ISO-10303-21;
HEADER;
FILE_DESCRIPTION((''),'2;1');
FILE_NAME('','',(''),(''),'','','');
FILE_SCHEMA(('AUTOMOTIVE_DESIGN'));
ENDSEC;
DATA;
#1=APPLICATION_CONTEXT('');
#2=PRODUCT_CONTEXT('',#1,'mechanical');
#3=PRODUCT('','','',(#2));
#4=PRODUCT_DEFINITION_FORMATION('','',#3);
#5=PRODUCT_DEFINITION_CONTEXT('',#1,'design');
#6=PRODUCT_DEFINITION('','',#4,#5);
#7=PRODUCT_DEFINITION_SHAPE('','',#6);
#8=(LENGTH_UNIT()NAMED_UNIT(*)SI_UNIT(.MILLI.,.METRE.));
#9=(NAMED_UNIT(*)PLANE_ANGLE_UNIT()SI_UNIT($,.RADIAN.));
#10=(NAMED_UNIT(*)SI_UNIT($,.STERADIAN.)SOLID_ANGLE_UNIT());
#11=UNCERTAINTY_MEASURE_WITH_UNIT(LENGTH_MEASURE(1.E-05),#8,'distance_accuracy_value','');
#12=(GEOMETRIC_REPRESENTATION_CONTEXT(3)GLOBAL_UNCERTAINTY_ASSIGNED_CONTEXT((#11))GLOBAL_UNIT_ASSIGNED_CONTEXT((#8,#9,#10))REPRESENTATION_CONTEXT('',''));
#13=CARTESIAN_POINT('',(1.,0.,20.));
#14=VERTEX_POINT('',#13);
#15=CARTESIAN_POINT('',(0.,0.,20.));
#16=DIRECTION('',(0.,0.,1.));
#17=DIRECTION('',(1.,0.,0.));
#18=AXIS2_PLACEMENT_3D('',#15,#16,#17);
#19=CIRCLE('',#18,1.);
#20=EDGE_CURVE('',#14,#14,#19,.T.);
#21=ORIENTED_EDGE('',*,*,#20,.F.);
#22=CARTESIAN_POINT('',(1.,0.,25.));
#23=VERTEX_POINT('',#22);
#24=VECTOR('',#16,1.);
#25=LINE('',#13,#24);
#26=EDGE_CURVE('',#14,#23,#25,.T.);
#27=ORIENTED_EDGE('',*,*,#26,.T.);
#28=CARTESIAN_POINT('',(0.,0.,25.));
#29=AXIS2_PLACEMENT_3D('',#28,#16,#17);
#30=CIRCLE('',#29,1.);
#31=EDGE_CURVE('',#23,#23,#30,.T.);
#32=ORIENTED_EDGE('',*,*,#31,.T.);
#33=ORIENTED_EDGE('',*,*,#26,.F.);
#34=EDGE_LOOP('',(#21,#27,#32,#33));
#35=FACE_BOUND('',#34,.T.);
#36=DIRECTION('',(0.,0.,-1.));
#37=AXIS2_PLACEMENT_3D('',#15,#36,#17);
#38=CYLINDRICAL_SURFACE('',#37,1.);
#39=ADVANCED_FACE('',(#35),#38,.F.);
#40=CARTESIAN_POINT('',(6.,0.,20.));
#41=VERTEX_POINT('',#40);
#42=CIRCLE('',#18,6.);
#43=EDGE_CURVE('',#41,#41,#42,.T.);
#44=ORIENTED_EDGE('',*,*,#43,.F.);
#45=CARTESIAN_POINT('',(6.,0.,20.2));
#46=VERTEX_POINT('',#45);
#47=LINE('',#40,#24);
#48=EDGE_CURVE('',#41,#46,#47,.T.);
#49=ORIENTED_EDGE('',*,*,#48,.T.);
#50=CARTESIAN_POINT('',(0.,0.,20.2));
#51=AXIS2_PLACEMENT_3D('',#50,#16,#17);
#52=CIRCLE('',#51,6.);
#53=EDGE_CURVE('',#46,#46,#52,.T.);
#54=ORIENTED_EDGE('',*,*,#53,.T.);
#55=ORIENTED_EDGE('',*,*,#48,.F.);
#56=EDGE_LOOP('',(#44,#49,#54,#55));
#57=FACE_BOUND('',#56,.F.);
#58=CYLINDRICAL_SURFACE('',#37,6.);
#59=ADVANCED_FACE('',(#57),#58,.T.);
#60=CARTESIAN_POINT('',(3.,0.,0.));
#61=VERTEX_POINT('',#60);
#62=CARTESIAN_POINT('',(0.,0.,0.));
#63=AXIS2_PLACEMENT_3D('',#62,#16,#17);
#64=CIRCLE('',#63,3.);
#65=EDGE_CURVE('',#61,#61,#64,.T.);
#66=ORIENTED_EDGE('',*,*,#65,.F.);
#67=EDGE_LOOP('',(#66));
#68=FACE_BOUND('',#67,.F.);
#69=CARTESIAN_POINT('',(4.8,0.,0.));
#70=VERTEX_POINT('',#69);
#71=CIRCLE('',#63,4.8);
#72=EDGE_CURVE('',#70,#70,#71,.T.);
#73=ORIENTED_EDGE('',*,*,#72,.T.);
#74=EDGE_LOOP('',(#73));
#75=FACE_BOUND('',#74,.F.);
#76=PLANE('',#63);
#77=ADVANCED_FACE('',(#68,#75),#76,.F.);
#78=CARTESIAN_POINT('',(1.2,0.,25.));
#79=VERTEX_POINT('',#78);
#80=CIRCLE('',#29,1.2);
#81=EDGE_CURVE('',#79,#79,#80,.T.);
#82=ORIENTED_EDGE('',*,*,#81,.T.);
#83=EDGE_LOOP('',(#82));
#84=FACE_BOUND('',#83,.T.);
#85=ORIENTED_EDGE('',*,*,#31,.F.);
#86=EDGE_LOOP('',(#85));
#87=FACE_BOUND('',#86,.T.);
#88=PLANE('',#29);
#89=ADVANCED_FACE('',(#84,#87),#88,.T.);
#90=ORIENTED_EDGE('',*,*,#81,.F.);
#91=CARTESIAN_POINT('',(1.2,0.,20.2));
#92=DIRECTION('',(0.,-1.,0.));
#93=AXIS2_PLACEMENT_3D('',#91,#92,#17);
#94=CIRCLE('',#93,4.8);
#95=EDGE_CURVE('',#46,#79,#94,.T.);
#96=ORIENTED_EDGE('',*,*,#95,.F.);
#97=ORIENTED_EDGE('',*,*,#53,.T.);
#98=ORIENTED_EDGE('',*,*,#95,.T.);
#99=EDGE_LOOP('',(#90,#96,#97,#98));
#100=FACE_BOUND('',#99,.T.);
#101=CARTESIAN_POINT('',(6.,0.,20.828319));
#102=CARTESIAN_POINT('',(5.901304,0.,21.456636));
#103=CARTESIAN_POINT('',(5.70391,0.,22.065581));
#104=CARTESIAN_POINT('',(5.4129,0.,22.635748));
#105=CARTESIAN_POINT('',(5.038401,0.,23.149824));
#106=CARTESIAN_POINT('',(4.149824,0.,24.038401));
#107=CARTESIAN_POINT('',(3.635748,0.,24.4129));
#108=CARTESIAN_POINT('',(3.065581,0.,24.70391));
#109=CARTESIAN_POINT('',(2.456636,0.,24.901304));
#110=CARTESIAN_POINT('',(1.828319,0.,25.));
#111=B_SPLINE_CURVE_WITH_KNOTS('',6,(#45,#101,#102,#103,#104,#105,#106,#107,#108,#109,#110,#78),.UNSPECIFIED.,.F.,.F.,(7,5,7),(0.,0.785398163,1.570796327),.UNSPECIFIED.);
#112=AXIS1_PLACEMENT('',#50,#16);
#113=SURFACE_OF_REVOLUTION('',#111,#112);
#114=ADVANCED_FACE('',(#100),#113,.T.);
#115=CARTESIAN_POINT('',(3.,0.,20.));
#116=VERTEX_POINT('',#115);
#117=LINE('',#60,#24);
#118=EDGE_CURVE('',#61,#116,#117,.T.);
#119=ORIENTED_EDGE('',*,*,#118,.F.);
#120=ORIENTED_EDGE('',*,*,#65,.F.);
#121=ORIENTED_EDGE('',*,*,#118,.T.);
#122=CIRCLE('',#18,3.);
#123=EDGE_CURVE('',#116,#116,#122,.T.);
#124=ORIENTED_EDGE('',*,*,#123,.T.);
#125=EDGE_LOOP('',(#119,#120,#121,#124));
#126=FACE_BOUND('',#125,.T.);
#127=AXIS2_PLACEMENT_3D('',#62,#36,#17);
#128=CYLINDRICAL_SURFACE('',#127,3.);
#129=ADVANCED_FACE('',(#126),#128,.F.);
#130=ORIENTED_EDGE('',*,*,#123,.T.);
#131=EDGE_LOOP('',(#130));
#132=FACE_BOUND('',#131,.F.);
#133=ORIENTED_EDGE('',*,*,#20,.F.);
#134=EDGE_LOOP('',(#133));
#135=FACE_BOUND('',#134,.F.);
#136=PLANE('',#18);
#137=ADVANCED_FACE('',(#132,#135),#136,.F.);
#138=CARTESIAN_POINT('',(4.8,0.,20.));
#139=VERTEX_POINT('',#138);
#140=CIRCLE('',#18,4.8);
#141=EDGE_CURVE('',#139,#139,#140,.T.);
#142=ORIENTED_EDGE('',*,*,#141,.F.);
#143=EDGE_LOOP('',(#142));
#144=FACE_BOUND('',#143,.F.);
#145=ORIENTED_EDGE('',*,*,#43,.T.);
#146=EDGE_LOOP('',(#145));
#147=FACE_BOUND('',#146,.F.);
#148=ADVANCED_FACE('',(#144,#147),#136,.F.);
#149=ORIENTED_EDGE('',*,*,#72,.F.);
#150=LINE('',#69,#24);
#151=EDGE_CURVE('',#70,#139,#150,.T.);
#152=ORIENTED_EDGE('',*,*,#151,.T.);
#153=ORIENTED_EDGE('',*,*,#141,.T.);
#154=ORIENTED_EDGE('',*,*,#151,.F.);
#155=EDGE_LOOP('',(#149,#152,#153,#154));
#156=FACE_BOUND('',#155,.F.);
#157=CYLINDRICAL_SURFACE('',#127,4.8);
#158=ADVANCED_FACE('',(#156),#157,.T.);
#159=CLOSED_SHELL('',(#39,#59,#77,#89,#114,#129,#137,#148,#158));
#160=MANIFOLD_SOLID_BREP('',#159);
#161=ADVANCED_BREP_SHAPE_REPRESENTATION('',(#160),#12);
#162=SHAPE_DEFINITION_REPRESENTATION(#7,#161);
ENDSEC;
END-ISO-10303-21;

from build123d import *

# Parameters (mm, degrees)
SKETCH_R      = 4.8
SKETCH_R_2    = 3
PAD_DEPTH     = 20
SKETCH001_R   = 6
SKETCH001_R_2 = 1
PAD001_DEPTH  = 5
FILLET_R      = 4.8


with BuildPart() as part:
    # Sketch → Pad (new body)
    with BuildSketch(Plane.XY):
        Circle(SKETCH_R)
        Circle(SKETCH_R_2, mode=Mode.SUBTRACT)
    extrude(amount=PAD_DEPTH)

    # Sketch001 (on Face4 of Pad) → Pad001 (join)
    with BuildSketch(Plane.XY.offset(20)):
        Circle(SKETCH001_R)
        Circle(SKETCH001_R_2, mode=Mode.SUBTRACT)
    extrude(amount=PAD001_DEPTH)

    # Fillet
    fillet_edges = [part.edges().sort_by_distance(p)[0] for p in [
        (-6, 0, 25),
    ]]
    fillet(fillet_edges, radius=FILLET_R)


solid = part.part
